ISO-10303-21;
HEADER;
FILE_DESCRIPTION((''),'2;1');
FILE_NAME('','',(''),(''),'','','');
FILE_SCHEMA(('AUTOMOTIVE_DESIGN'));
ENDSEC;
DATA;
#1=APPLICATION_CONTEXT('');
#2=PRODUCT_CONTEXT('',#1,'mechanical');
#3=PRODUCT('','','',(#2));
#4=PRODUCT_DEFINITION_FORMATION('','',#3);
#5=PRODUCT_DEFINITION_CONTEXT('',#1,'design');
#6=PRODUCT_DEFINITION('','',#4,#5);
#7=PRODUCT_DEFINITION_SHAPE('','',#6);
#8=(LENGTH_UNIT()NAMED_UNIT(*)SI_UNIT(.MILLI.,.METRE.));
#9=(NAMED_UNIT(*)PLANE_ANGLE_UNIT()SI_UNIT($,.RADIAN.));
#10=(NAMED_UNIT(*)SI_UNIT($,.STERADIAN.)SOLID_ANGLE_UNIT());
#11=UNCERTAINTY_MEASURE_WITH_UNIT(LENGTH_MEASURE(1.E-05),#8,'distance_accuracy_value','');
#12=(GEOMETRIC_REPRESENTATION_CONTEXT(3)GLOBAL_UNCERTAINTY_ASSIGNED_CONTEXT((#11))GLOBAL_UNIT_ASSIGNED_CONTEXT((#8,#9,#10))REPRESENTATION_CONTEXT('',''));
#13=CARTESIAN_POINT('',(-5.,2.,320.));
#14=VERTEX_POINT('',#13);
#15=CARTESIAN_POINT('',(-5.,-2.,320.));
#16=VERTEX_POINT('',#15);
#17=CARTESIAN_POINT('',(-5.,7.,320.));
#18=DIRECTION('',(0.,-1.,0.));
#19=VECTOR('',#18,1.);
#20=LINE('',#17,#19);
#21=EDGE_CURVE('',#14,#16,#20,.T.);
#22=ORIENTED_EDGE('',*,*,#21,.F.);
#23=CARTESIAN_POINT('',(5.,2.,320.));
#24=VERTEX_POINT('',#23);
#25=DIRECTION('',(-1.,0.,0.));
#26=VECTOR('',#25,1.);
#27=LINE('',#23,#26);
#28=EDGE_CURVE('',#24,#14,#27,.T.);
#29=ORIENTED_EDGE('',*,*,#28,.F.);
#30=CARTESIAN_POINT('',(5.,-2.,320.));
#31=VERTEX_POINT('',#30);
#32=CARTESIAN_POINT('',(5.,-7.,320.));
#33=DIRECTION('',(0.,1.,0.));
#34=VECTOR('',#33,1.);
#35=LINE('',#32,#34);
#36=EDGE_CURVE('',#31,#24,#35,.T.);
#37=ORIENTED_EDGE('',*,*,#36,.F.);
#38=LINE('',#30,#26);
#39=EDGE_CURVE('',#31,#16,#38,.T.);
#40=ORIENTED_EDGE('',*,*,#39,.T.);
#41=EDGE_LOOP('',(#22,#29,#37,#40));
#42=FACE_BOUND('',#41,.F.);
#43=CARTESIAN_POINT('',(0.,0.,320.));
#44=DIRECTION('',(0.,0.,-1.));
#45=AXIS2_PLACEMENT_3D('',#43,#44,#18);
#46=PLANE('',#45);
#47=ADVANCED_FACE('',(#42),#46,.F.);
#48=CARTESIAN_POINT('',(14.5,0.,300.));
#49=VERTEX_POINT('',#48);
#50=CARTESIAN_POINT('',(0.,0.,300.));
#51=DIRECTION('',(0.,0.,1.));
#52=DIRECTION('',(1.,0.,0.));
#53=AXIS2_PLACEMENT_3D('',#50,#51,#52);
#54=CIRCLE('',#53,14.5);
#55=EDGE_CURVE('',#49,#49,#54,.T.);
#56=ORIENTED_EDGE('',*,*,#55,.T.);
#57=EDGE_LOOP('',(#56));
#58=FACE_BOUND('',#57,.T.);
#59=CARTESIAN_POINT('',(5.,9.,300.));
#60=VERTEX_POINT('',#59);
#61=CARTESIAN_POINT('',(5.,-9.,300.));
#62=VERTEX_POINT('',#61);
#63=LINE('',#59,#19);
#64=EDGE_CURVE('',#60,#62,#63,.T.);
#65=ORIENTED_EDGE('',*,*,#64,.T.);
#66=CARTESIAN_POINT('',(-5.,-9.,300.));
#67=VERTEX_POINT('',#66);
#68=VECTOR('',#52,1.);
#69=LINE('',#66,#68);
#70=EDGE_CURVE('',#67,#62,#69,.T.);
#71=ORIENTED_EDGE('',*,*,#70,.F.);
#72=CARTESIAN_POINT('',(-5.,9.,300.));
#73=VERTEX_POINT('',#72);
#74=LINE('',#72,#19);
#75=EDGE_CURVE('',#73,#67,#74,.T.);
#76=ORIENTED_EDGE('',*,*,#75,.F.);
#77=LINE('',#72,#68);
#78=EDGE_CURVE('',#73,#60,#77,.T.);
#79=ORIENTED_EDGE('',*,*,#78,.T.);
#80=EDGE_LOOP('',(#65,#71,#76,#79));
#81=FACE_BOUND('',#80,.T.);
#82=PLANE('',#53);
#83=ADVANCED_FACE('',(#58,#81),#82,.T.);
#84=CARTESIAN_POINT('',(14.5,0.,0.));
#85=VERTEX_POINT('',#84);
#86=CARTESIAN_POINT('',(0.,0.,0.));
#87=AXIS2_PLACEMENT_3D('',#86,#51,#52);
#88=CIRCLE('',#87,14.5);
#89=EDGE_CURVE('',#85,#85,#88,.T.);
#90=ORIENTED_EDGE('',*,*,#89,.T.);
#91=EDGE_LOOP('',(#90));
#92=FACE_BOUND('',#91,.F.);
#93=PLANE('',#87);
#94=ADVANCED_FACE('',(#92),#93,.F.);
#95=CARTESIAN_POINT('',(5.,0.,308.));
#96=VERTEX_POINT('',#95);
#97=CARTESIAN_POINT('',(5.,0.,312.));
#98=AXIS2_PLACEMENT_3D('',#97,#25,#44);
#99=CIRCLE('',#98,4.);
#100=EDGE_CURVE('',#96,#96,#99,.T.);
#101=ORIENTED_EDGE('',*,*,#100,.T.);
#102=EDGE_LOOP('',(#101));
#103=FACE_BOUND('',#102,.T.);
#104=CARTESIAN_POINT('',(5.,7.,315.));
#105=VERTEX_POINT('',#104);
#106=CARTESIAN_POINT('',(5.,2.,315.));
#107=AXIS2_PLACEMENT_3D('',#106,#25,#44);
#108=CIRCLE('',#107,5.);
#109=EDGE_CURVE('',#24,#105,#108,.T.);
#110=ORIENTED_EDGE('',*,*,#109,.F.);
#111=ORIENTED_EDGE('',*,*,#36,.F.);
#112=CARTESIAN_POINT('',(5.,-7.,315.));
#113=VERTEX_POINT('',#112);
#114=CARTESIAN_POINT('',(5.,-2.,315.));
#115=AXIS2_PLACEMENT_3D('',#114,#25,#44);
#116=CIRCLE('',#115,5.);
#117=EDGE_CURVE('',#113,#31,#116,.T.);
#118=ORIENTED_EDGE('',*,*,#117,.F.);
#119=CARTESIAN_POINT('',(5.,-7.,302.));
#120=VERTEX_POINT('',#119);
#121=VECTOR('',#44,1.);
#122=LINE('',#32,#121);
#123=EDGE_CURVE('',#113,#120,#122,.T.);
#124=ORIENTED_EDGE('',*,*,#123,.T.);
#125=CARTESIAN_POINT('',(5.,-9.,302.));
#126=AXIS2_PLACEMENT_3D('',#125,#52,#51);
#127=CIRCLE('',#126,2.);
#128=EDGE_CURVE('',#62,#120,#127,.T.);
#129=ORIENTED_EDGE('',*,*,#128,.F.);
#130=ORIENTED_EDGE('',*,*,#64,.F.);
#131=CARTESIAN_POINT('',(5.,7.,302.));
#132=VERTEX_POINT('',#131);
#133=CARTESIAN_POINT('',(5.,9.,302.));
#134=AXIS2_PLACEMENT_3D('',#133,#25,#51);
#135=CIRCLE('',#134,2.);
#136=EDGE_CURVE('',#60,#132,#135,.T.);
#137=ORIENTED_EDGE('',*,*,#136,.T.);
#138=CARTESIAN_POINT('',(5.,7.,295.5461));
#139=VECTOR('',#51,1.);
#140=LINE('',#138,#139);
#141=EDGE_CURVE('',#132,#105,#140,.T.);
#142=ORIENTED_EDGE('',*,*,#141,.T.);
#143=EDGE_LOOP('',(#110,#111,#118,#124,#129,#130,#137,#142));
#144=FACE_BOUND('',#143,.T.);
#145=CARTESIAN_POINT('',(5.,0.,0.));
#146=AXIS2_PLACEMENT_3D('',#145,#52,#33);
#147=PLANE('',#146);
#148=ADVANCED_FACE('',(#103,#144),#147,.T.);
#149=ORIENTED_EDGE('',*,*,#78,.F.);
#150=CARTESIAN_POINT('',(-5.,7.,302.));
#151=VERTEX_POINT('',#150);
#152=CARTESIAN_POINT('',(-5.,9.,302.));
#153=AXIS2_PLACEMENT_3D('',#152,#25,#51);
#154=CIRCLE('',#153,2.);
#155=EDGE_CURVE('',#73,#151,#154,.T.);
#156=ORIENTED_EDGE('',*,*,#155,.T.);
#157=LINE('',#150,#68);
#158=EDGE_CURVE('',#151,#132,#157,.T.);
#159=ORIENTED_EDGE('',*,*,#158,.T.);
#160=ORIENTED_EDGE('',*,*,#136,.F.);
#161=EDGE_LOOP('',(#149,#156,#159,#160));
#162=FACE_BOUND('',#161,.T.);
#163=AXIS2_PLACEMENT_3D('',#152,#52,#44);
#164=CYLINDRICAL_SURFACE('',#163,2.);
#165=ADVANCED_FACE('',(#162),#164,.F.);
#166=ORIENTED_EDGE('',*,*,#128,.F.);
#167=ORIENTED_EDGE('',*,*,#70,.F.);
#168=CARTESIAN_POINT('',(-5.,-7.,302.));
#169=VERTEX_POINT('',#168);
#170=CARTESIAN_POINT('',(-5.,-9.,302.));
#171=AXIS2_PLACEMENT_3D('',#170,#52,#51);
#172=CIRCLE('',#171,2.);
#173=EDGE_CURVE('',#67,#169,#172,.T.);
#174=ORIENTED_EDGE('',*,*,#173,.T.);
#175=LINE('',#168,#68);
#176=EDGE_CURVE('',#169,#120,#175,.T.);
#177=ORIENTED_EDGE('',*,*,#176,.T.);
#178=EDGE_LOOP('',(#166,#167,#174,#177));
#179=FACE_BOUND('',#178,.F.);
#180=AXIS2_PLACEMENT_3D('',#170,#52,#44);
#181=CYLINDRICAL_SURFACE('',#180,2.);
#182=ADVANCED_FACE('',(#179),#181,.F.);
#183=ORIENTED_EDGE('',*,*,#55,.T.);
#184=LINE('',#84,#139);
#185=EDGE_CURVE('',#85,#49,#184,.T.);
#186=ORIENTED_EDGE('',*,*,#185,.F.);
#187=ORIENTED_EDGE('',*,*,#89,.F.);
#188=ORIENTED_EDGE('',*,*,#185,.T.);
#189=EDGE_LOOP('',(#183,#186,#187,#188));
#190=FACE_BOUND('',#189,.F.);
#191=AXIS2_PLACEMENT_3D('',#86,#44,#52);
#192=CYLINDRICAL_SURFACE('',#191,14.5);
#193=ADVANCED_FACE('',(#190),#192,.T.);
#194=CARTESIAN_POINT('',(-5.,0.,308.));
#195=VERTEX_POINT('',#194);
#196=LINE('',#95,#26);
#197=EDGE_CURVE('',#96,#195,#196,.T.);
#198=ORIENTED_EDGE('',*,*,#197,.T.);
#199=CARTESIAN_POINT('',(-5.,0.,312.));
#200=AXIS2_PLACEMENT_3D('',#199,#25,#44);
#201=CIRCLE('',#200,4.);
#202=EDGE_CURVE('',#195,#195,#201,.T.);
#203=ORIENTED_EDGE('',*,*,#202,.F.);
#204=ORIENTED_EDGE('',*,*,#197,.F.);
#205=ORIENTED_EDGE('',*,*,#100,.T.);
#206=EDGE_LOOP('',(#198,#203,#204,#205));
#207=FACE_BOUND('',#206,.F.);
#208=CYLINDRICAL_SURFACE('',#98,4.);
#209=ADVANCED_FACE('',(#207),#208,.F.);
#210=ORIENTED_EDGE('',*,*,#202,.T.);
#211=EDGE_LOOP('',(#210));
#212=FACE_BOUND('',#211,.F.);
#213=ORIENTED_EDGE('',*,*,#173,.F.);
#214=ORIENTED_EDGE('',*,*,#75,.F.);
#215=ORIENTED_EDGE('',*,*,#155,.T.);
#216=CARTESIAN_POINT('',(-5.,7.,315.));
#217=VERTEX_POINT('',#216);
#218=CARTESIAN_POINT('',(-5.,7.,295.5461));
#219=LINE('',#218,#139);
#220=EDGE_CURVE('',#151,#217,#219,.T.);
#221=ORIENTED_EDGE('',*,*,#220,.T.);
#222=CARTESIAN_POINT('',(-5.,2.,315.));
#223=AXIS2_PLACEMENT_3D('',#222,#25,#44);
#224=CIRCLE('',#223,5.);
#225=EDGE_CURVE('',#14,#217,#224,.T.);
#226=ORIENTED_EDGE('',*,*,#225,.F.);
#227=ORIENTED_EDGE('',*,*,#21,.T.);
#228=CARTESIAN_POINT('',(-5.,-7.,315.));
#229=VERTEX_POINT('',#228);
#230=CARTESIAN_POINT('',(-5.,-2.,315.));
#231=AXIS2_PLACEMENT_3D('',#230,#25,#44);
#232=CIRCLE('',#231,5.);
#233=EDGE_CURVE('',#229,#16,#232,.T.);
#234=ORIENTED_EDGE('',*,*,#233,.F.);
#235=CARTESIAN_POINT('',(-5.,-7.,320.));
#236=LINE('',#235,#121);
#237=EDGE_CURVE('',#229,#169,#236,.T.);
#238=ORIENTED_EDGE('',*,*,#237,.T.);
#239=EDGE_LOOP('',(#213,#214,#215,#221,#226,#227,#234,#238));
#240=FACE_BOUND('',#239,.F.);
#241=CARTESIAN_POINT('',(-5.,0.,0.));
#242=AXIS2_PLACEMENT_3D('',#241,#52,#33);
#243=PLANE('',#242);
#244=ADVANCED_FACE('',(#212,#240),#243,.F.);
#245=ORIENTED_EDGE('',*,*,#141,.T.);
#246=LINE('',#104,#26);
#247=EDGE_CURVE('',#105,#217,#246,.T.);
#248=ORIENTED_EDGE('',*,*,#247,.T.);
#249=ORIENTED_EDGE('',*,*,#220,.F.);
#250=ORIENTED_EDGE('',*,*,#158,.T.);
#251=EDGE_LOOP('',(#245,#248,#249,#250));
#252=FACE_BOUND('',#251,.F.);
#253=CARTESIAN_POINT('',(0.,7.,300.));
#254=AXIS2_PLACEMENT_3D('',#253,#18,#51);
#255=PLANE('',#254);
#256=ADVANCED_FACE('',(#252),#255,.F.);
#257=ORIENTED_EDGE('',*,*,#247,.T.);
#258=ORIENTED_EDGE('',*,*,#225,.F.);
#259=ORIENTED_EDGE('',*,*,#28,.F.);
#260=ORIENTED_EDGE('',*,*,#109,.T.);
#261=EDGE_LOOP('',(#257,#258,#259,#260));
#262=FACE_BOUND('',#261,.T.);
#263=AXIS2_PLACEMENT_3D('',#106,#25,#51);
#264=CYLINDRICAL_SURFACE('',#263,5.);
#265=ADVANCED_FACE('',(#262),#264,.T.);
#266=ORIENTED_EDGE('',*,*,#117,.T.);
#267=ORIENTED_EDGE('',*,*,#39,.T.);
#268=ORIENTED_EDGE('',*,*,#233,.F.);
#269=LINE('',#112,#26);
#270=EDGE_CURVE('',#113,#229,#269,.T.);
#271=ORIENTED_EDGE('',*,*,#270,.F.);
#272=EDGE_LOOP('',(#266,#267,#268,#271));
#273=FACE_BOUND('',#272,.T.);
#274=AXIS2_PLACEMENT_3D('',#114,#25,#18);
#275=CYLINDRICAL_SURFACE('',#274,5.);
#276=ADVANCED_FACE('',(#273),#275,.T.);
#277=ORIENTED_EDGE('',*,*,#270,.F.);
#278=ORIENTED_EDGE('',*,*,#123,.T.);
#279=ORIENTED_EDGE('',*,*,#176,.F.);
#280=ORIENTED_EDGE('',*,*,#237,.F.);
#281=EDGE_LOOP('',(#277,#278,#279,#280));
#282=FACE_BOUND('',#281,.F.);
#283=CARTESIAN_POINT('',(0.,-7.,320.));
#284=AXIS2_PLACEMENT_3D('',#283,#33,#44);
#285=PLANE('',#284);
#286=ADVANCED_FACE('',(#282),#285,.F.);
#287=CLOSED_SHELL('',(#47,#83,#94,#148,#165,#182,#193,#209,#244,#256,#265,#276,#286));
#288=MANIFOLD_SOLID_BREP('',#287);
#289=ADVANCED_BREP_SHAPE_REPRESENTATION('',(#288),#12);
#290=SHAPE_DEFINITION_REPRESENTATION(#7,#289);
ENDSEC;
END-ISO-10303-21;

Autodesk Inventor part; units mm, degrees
ref_plane "YZ Plane" through (0, 0, 0) normal (1, 0, 0) x (0, 1, 0)
ref_plane "XZ Plane" through (0, 0, 0) normal (0, 1, 0) x (-1, 0, 0)
ref_plane "XY Plane" through (0, 0, 0) normal (0, 0, 1) x (1, 0, 0)
sketch "Sketch1" plane through (0, 0, 0) normal (0, 0, 1) x (1, 0, 0)
  circle A0 centre (0, 0) radius 14.5
  dimension "d6" = 29
extrude "Extrusion3" add sketch "Sketch1" along normal blind 300
sketch "Sketch3" plane through (0, 0, 0) normal (1, 0, 0) x (0, 1, 0)
  line L0 (-7, 295.5461) -> (7, 295.5461)
  line L1 (7, 295.5461) -> (7, 320)
  line L2 (7, 320) -> (-7, 320)
  line L3 (-7, 320) -> (-7, 295.5461)
  line L4 (0, 384) -> (0, -64) projected
  line L5 (14.5, 300) -> (-14.5, 300) projected
  point P0 (0, 0)
  point P1 (7, 300)
  point P2 (-7, 300)
  dimension "d9" = 7
  dimension "d10" = 7
  dimension "d11" = 20
extrude "Extrusion4" add sketch "Sketch3" along normal mid plane 10 contours L3 L2 L4 L5 | L4 L2 L1 L5
fillet "Fillet1" radius 2 2 edges at (0, -7, 300) (0, 7, 300)
fillet "Fillet2" radius 5 2 edges at (0, -7, 320) (0, 7, 320)
sketch "Sketch4" plane through (5, 0, 0) normal (1, 0, 0) x (0, 0, -1)
  line L0 (-320, 2) -> (-320, -2) projected
  point P0 (0, 0)
  point P1 (-312, 0)
  dimension "d16" = 8
hole "Hole1" at (5, 0, 312) direction (-1, 0, 0) diameter 8 end through all
equation "\"d10\" = d9"
properties part number "linear_actuator_LH"
